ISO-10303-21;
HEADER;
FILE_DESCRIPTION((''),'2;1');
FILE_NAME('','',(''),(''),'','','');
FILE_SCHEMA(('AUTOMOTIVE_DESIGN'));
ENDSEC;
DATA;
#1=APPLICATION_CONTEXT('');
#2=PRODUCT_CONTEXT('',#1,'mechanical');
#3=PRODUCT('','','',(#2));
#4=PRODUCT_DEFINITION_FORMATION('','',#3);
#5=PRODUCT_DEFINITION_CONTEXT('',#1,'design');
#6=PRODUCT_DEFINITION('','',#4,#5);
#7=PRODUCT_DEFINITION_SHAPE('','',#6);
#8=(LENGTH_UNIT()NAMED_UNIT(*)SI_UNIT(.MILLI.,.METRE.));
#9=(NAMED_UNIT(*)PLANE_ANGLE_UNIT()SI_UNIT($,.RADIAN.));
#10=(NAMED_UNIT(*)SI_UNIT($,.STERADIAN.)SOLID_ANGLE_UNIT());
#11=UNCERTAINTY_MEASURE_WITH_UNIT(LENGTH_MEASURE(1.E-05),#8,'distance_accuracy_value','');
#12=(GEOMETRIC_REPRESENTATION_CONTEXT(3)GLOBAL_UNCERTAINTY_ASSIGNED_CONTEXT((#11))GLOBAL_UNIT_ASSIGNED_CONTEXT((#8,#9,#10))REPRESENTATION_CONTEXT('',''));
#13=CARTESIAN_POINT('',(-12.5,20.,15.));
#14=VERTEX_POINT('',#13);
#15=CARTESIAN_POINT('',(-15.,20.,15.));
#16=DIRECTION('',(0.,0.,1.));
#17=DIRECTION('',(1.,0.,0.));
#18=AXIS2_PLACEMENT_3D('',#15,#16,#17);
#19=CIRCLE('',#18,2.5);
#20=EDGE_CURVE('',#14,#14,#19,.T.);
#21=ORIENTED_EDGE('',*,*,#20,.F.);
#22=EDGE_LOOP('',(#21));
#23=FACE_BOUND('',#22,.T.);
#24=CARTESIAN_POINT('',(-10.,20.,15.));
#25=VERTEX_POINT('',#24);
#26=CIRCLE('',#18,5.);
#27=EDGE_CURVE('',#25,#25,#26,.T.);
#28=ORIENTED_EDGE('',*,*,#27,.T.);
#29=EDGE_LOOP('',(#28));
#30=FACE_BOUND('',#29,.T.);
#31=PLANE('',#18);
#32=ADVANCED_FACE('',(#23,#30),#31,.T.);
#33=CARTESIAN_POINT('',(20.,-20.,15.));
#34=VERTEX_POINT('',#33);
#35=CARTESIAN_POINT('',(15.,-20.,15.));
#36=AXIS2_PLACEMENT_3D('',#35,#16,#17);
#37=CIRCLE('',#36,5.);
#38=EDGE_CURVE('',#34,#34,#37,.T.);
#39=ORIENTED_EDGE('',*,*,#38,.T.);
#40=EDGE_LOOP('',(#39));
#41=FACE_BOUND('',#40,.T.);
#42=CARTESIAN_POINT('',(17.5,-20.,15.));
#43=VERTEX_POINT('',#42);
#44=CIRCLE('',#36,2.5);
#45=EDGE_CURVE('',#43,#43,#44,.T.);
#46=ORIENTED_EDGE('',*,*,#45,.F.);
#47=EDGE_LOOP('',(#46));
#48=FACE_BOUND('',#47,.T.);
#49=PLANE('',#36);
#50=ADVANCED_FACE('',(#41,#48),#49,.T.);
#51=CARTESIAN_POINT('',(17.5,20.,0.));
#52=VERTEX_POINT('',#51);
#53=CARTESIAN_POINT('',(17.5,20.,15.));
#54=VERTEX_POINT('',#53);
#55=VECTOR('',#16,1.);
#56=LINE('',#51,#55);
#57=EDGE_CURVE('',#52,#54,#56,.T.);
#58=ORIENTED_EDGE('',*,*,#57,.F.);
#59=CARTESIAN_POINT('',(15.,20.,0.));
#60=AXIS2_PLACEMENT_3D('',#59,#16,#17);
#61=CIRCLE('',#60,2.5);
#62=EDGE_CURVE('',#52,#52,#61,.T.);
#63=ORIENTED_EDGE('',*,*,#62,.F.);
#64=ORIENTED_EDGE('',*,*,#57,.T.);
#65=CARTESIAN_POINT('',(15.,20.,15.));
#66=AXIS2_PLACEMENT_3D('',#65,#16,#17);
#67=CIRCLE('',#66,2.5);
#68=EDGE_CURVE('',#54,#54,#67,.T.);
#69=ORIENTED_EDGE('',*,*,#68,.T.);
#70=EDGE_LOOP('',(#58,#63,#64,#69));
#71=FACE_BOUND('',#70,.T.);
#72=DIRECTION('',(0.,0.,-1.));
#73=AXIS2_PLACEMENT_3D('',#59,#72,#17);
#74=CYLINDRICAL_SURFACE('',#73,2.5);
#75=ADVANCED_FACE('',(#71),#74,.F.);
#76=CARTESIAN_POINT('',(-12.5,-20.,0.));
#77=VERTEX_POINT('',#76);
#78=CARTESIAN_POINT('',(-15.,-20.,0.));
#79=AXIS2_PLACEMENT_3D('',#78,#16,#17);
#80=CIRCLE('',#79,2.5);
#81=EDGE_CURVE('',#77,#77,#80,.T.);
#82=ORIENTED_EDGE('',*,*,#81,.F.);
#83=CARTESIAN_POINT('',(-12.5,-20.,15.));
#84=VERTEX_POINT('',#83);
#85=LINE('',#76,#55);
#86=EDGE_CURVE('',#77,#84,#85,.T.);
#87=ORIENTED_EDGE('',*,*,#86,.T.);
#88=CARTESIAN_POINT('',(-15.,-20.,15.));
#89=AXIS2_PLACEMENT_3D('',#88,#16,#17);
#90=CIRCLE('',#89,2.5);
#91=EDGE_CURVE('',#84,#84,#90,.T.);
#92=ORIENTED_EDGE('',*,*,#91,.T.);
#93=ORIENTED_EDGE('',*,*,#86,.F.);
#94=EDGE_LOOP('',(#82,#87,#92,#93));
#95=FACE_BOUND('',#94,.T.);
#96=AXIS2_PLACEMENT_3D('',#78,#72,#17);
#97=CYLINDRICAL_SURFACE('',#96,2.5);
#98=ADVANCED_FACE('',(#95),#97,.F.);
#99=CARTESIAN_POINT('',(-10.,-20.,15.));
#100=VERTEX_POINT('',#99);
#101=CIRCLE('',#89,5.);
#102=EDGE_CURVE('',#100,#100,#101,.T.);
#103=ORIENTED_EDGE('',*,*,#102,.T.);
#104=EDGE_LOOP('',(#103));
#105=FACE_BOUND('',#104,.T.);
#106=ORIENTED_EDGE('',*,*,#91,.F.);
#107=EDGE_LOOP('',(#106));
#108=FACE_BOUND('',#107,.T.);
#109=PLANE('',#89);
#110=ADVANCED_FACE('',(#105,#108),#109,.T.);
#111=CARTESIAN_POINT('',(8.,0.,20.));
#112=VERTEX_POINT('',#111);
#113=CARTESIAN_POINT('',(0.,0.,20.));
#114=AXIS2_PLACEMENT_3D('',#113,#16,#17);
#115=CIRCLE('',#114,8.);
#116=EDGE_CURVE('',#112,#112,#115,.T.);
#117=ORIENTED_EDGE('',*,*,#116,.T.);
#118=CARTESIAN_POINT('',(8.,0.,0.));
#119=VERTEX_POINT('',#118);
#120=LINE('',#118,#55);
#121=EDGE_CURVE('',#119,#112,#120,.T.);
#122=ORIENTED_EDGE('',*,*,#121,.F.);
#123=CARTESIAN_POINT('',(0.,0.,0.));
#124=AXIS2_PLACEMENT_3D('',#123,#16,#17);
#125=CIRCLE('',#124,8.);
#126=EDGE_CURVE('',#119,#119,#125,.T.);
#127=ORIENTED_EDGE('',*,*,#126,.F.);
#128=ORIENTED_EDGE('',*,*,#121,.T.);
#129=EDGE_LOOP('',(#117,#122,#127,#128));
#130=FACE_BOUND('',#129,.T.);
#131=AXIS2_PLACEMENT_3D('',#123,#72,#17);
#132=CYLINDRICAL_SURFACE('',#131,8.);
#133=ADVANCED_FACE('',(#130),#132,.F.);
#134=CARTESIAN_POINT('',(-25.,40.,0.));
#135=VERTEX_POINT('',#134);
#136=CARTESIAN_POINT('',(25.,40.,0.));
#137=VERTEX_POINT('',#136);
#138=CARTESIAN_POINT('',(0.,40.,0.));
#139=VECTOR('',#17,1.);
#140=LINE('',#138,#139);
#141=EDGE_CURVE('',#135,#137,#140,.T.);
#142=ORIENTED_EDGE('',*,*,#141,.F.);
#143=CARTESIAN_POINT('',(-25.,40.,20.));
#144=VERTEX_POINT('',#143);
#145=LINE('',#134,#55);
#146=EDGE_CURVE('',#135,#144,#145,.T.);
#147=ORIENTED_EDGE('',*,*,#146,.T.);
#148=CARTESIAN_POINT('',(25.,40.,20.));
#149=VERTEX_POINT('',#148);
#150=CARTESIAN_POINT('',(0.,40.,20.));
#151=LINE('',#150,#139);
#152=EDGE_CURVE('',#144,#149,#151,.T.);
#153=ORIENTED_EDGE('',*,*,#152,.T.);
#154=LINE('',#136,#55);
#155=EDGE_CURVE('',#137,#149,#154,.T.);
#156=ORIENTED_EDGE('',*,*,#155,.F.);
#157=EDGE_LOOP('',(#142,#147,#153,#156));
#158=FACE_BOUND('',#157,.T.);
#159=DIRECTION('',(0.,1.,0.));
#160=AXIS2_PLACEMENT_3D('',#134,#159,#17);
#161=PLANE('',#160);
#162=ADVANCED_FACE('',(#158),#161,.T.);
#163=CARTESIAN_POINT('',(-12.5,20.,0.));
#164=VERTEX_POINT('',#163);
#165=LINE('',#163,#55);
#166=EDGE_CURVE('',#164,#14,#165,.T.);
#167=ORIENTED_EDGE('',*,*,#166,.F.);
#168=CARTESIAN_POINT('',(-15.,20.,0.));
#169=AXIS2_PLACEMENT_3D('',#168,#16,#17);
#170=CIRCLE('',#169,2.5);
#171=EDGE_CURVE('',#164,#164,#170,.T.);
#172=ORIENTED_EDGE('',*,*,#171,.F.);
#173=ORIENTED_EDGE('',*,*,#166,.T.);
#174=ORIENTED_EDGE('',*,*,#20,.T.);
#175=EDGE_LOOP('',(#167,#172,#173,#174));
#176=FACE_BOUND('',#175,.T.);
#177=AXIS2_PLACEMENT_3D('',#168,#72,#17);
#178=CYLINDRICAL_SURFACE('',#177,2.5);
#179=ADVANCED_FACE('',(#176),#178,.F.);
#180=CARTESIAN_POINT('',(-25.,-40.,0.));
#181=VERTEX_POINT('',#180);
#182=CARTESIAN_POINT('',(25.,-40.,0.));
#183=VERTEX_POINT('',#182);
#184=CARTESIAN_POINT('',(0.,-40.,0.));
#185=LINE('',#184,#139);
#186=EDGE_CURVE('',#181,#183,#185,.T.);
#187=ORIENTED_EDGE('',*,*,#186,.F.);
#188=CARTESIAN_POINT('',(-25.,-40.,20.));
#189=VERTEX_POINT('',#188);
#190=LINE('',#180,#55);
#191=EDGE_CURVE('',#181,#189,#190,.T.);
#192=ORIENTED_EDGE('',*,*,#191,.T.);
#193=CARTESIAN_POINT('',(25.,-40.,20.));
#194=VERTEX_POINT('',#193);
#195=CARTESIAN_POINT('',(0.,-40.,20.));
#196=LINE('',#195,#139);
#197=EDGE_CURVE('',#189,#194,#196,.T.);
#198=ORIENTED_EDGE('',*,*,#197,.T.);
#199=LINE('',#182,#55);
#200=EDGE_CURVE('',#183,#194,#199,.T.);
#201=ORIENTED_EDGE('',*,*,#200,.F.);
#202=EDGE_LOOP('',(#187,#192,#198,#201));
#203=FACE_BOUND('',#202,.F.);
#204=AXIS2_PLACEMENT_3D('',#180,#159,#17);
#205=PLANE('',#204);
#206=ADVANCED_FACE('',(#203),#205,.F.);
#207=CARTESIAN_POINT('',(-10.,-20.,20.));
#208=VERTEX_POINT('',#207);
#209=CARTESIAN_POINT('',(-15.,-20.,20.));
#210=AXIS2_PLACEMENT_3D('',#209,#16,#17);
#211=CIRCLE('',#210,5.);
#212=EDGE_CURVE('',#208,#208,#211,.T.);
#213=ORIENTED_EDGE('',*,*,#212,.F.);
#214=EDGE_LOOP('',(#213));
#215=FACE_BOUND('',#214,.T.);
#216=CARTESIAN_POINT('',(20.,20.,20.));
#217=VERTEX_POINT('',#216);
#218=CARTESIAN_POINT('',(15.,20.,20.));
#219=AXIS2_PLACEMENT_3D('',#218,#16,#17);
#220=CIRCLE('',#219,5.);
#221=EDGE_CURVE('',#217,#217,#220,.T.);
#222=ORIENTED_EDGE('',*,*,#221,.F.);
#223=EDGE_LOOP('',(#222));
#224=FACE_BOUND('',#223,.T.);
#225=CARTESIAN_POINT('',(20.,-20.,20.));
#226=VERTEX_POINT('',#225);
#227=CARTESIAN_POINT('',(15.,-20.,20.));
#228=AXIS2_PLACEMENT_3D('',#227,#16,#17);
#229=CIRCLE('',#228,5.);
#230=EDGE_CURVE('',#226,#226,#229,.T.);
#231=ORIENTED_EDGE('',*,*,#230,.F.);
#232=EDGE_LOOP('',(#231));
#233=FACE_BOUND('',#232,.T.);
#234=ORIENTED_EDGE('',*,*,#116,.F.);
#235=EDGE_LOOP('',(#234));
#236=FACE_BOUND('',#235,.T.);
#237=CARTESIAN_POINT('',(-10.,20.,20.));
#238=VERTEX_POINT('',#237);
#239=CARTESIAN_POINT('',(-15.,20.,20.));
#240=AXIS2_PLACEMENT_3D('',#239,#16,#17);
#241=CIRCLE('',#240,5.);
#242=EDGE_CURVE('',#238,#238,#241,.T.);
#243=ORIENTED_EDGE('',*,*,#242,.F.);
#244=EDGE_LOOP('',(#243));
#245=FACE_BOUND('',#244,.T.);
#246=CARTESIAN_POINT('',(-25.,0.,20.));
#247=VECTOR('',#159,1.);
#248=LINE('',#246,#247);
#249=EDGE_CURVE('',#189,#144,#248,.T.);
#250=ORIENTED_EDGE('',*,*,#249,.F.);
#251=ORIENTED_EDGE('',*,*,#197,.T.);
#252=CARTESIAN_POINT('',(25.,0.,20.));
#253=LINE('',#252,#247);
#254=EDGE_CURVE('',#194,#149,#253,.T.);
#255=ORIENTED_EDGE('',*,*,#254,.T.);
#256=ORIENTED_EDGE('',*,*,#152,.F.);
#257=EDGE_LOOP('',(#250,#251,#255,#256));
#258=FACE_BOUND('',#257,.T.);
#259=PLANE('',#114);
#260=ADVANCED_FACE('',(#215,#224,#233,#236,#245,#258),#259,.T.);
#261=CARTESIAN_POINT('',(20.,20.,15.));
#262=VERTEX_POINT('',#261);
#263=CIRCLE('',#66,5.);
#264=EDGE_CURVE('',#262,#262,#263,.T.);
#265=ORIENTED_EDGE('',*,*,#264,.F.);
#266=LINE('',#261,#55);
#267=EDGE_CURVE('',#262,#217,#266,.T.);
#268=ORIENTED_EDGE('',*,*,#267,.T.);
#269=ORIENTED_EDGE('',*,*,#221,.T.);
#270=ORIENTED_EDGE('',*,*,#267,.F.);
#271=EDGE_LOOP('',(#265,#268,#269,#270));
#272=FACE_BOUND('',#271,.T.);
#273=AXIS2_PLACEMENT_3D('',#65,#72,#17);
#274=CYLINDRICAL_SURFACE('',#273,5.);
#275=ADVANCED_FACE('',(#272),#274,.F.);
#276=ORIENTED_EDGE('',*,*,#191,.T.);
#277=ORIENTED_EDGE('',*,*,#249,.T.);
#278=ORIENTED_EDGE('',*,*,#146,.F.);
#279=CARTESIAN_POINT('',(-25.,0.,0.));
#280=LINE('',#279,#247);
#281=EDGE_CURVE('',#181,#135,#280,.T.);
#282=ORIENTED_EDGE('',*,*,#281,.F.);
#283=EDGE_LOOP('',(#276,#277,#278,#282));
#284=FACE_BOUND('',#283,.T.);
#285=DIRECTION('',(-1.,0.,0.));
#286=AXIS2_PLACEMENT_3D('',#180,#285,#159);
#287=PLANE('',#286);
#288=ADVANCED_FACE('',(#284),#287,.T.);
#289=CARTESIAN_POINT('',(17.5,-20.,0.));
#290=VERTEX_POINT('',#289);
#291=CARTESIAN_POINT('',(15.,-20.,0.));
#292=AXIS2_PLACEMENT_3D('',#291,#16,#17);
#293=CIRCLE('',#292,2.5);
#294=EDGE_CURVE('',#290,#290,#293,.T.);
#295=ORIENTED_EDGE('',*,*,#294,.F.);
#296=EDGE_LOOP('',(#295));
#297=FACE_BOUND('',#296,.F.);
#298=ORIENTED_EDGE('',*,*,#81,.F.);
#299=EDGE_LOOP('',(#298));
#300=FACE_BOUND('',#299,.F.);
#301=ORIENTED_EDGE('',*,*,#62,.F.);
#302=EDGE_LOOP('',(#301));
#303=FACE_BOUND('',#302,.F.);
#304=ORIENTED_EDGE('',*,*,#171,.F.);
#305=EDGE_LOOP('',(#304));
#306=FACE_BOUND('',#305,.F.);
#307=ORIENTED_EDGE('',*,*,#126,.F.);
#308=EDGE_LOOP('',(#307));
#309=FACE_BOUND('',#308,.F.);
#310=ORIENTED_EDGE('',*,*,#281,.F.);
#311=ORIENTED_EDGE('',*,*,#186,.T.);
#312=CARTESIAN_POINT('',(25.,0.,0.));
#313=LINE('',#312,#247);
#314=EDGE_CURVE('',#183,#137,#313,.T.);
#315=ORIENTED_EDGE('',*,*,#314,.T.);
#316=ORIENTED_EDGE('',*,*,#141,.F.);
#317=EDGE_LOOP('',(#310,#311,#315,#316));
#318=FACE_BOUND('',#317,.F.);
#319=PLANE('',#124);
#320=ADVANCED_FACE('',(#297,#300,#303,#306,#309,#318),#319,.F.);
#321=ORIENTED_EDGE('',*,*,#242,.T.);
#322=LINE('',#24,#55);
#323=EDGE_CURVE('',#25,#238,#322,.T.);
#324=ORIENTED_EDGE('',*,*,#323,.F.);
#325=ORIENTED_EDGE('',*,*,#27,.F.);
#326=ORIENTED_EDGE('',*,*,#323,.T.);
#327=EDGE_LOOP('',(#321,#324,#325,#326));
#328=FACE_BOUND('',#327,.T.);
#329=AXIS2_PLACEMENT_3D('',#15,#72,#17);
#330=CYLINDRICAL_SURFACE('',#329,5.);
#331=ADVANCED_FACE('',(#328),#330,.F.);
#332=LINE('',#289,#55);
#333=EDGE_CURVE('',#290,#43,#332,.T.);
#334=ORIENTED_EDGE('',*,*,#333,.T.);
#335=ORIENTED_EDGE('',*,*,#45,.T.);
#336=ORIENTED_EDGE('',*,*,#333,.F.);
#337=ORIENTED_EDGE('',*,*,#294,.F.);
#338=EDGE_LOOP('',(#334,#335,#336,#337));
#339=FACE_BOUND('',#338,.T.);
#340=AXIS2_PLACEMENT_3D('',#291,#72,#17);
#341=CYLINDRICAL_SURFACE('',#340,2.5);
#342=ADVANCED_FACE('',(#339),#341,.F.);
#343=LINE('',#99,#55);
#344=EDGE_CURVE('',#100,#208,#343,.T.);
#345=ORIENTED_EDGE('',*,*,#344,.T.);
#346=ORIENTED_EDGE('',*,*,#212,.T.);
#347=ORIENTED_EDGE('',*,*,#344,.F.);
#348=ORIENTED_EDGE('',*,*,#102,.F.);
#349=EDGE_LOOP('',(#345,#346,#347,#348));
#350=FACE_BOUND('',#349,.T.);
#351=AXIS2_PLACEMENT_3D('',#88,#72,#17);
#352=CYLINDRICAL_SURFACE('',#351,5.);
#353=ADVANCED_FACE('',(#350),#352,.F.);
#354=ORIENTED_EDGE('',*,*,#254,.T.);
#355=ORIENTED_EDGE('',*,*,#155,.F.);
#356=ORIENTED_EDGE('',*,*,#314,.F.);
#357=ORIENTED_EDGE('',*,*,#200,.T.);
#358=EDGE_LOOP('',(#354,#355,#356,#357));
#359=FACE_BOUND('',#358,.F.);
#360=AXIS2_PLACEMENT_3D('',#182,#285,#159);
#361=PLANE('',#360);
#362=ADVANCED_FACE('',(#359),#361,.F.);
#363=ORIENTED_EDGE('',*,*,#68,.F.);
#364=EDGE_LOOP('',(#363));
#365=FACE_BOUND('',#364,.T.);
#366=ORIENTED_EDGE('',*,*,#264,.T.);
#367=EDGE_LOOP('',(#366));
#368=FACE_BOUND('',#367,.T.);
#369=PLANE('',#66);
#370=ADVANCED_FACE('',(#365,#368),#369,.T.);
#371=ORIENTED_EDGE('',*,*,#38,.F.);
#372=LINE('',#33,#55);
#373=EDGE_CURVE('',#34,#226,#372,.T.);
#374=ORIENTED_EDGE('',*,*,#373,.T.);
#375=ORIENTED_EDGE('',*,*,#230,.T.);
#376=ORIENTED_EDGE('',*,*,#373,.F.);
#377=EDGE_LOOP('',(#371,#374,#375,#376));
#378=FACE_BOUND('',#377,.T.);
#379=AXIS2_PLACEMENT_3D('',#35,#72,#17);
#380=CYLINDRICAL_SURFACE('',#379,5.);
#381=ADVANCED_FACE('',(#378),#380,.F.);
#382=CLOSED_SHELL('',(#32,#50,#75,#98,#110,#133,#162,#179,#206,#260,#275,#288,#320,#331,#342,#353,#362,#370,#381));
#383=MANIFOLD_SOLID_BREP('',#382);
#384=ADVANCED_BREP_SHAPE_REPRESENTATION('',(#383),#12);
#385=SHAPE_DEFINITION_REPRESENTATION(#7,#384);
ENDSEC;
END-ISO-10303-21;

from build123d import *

# Parameters (mm, degrees)
F0_W     = 50
F0_H     = 80
F0_R     = 5
F0_R_2   = 8
F0_R_3   = 2.5
F1_DEPTH = 20
F2_START = 15
F2_DEPTH = 5


with BuildPart() as f1:
    # F0 (on Top) → F1 (new body)
    with BuildSketch(Plane.XY):
        Rectangle(F0_W, F0_H)
        with Locations((-15, -20)):
            Circle(F0_R, mode=Mode.SUBTRACT)
        with Locations((15, -20)):
            Circle(F0_R, mode=Mode.SUBTRACT)
        with Locations((-15, 20)):
            Circle(F0_R, mode=Mode.SUBTRACT)
        Circle(F0_R_2, mode=Mode.SUBTRACT)
        with Locations((15, 20)):
            Circle(F0_R, mode=Mode.SUBTRACT)
        with Locations((-15, 20)):
            Circle(F0_R)
        with Locations((-15, 20)):
            Circle(F0_R_3, mode=Mode.SUBTRACT)
        with Locations((15, 20)):
            Circle(F0_R)
        with Locations((15, 20)):
            Circle(F0_R_3, mode=Mode.SUBTRACT)
        with Locations((15, -20)):
            Circle(F0_R)
        with Locations((15, -20)):
            Circle(F0_R_3, mode=Mode.SUBTRACT)
        with Locations((-15, -20)):
            Circle(F0_R)
        with Locations((-15, -20)):
            Circle(F0_R_3, mode=Mode.SUBTRACT)
    extrude(amount=F1_DEPTH)

    # F0 (on Top) → F2 (cut)
    with BuildSketch(Plane.XY.offset(F2_START)):
        with Locations((-15, -20)):
            Circle(F0_R)
        with Locations((-15, -20)):
            Circle(F0_R_3, mode=Mode.SUBTRACT)
        with Locations((15, -20)):
            Circle(F0_R)
        with Locations((15, -20)):
            Circle(F0_R_3, mode=Mode.SUBTRACT)
        with Locations((-15, 20)):
            Circle(F0_R)
        with Locations((-15, 20)):
            Circle(F0_R_3, mode=Mode.SUBTRACT)
        with Locations((15, 20)):
            Circle(F0_R)
        with Locations((15, 20)):
            Circle(F0_R_3, mode=Mode.SUBTRACT)
    extrude(amount=F2_DEPTH, mode=Mode.SUBTRACT)


solid = f1.part
